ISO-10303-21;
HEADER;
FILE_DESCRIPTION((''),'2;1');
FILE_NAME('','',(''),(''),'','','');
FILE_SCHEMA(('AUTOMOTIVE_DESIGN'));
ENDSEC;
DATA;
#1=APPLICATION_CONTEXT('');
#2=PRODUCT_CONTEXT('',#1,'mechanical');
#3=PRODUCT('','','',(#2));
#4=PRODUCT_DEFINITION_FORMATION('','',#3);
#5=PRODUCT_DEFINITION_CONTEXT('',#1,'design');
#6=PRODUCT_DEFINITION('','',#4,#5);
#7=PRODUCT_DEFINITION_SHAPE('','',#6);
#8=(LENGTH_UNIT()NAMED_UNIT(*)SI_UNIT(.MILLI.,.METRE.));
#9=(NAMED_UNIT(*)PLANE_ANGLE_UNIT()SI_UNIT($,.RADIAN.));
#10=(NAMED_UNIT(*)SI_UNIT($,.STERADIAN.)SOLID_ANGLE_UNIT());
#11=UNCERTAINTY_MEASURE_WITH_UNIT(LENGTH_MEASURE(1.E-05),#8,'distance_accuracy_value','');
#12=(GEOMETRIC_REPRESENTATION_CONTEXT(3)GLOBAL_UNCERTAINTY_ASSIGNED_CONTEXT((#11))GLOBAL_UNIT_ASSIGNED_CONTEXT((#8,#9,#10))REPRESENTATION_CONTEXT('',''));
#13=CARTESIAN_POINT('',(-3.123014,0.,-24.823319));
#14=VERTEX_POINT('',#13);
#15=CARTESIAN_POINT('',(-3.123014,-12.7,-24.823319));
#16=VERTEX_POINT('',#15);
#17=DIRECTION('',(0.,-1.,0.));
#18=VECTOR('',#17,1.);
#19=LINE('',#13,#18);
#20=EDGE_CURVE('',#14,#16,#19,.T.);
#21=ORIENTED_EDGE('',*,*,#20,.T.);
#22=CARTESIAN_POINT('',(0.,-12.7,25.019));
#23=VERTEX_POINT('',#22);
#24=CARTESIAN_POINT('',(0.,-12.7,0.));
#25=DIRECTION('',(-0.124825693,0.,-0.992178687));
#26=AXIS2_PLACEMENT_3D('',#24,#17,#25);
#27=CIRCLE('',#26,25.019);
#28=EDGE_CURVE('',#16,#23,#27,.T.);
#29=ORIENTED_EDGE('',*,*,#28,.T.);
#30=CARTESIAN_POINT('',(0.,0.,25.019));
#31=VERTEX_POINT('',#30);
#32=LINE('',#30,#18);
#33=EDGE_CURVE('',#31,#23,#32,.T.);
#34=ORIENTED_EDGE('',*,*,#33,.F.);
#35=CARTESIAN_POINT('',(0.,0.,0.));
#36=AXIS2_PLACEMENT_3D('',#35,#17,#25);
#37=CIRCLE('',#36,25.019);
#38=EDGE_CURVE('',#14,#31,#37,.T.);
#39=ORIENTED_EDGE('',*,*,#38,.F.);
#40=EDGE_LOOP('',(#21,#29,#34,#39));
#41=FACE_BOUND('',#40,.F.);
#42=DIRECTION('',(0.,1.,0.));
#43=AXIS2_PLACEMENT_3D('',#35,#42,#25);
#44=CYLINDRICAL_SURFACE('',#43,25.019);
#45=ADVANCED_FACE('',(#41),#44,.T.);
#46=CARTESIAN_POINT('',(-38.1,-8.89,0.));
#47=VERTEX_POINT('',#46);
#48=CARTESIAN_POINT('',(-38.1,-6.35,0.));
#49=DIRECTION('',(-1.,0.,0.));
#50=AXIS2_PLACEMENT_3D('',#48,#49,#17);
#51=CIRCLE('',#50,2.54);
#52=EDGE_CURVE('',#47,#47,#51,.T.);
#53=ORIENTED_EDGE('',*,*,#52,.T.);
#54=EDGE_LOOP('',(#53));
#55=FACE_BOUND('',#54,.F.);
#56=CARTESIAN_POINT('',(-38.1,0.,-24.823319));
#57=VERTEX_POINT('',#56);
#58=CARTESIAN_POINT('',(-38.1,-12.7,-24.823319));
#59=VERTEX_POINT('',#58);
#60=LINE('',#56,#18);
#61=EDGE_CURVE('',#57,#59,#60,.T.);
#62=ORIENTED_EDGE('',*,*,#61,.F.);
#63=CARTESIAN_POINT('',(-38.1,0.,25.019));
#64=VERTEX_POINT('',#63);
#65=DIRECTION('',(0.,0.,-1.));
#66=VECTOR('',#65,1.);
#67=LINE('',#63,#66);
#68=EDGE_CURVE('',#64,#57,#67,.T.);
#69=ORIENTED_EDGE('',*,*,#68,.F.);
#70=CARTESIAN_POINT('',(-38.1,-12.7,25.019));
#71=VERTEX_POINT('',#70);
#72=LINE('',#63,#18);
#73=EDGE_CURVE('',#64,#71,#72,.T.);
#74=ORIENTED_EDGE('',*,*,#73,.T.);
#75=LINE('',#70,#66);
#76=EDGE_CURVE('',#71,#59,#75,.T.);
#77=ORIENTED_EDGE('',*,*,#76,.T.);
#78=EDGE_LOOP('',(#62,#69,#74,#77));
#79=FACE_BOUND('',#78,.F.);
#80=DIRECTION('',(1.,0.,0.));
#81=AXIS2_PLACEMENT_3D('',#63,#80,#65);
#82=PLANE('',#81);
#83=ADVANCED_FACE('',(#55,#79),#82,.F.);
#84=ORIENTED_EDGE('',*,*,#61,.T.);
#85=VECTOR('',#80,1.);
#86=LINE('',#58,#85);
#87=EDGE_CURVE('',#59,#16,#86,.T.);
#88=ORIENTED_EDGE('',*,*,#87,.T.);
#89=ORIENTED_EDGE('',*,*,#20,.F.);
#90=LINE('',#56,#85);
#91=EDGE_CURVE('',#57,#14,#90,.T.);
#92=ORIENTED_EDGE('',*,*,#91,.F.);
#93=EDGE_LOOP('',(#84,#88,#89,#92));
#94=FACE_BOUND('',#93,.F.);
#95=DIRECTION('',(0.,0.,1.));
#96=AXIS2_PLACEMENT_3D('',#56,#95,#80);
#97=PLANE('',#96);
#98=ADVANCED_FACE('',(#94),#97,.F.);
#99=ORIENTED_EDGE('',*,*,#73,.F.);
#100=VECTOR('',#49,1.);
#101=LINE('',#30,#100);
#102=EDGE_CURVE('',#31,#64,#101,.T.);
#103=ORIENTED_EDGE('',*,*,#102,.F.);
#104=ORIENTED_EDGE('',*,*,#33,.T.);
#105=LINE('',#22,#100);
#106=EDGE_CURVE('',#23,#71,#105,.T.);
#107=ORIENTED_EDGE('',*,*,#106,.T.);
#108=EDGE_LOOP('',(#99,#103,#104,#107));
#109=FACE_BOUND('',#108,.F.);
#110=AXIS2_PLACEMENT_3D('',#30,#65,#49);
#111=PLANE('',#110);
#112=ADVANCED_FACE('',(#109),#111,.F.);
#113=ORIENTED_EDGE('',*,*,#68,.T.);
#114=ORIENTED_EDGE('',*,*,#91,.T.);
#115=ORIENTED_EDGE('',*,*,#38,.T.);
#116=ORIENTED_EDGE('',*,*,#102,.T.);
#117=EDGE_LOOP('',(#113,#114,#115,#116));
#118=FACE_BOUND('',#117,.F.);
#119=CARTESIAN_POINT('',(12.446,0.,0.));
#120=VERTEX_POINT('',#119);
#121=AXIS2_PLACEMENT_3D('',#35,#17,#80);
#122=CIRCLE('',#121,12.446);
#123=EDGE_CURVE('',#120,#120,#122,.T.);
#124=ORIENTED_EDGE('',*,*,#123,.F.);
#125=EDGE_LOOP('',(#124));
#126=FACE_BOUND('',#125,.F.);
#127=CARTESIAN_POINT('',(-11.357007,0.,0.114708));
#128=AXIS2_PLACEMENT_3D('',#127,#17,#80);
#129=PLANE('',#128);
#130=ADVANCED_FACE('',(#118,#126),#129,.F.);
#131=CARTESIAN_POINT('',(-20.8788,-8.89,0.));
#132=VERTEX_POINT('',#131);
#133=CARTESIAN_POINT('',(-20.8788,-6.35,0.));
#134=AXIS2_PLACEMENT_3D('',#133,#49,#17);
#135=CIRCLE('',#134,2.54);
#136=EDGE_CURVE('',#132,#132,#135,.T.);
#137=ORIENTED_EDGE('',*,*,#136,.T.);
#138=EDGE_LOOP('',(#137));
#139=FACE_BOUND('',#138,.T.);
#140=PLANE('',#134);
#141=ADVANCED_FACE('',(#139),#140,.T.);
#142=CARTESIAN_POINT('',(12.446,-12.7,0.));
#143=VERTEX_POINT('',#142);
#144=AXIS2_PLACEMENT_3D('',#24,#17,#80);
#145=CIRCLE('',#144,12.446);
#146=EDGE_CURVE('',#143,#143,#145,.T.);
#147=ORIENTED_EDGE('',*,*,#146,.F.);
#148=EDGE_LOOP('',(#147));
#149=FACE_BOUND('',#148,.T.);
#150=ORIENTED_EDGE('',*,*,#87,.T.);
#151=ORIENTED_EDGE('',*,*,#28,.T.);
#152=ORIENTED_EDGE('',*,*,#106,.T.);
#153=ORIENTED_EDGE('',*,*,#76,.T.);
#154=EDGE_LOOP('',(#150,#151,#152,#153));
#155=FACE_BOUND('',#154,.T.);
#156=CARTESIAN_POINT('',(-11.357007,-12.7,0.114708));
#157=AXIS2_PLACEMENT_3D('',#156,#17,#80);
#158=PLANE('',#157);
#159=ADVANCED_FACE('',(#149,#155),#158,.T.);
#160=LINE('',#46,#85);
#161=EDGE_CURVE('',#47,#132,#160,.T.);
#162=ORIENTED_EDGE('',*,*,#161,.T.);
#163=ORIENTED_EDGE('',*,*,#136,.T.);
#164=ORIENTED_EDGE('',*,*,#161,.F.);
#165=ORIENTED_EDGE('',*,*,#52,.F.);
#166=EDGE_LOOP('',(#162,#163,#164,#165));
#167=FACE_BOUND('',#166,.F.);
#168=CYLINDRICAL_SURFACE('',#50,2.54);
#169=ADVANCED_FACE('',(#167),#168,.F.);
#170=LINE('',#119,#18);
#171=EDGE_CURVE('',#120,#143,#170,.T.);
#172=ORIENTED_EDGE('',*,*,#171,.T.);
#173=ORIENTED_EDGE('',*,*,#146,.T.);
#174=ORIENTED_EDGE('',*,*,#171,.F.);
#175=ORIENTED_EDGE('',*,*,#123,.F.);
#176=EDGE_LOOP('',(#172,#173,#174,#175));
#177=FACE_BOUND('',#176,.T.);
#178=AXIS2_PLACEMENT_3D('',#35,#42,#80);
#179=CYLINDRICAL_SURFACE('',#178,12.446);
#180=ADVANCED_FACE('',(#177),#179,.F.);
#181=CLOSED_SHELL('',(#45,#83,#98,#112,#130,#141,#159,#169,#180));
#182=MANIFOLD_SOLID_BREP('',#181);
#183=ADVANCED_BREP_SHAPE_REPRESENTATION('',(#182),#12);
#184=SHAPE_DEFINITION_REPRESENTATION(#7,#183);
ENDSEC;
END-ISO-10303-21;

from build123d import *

# Parameters (mm, degrees)
F0_R     = 12.446
F1_DEPTH = 12.7
F3_DEPTH = 17.2212


with BuildPart() as f1:
    # F0 (on Front) → F1 (new body)
    with BuildSketch(Plane.XZ):
        with BuildLine():
            Line((-38.1, -24.823319), (-3.123014, -24.823319))
            ThreePointArc((-3.123014, -24.823319), (24.970032, -1.564569), (0, 25.019))
            Line((0, 25.019), (-38.1, 25.019))
            Line((-38.1, 25.019), (-38.1, -24.823319))
        make_face()
        Circle(F0_R, mode=Mode.SUBTRACT)
    extrude(amount=F1_DEPTH)

    # F2 (on face) → F3 (cut)
    with BuildSketch(Plane(origin=(-38.1, 0, 0), x_dir=(0, -1, 0), z_dir=(-1, 0, 0))):
        with BuildLine():
            ThreePointArc((3.81, 0), (6.35, -2.54), (8.89, 0))
            ThreePointArc((8.89, 0), (6.35, 2.54), (3.81, 0))
        make_face()
    extrude(amount=-F3_DEPTH, mode=Mode.SUBTRACT)


solid = f1.part
